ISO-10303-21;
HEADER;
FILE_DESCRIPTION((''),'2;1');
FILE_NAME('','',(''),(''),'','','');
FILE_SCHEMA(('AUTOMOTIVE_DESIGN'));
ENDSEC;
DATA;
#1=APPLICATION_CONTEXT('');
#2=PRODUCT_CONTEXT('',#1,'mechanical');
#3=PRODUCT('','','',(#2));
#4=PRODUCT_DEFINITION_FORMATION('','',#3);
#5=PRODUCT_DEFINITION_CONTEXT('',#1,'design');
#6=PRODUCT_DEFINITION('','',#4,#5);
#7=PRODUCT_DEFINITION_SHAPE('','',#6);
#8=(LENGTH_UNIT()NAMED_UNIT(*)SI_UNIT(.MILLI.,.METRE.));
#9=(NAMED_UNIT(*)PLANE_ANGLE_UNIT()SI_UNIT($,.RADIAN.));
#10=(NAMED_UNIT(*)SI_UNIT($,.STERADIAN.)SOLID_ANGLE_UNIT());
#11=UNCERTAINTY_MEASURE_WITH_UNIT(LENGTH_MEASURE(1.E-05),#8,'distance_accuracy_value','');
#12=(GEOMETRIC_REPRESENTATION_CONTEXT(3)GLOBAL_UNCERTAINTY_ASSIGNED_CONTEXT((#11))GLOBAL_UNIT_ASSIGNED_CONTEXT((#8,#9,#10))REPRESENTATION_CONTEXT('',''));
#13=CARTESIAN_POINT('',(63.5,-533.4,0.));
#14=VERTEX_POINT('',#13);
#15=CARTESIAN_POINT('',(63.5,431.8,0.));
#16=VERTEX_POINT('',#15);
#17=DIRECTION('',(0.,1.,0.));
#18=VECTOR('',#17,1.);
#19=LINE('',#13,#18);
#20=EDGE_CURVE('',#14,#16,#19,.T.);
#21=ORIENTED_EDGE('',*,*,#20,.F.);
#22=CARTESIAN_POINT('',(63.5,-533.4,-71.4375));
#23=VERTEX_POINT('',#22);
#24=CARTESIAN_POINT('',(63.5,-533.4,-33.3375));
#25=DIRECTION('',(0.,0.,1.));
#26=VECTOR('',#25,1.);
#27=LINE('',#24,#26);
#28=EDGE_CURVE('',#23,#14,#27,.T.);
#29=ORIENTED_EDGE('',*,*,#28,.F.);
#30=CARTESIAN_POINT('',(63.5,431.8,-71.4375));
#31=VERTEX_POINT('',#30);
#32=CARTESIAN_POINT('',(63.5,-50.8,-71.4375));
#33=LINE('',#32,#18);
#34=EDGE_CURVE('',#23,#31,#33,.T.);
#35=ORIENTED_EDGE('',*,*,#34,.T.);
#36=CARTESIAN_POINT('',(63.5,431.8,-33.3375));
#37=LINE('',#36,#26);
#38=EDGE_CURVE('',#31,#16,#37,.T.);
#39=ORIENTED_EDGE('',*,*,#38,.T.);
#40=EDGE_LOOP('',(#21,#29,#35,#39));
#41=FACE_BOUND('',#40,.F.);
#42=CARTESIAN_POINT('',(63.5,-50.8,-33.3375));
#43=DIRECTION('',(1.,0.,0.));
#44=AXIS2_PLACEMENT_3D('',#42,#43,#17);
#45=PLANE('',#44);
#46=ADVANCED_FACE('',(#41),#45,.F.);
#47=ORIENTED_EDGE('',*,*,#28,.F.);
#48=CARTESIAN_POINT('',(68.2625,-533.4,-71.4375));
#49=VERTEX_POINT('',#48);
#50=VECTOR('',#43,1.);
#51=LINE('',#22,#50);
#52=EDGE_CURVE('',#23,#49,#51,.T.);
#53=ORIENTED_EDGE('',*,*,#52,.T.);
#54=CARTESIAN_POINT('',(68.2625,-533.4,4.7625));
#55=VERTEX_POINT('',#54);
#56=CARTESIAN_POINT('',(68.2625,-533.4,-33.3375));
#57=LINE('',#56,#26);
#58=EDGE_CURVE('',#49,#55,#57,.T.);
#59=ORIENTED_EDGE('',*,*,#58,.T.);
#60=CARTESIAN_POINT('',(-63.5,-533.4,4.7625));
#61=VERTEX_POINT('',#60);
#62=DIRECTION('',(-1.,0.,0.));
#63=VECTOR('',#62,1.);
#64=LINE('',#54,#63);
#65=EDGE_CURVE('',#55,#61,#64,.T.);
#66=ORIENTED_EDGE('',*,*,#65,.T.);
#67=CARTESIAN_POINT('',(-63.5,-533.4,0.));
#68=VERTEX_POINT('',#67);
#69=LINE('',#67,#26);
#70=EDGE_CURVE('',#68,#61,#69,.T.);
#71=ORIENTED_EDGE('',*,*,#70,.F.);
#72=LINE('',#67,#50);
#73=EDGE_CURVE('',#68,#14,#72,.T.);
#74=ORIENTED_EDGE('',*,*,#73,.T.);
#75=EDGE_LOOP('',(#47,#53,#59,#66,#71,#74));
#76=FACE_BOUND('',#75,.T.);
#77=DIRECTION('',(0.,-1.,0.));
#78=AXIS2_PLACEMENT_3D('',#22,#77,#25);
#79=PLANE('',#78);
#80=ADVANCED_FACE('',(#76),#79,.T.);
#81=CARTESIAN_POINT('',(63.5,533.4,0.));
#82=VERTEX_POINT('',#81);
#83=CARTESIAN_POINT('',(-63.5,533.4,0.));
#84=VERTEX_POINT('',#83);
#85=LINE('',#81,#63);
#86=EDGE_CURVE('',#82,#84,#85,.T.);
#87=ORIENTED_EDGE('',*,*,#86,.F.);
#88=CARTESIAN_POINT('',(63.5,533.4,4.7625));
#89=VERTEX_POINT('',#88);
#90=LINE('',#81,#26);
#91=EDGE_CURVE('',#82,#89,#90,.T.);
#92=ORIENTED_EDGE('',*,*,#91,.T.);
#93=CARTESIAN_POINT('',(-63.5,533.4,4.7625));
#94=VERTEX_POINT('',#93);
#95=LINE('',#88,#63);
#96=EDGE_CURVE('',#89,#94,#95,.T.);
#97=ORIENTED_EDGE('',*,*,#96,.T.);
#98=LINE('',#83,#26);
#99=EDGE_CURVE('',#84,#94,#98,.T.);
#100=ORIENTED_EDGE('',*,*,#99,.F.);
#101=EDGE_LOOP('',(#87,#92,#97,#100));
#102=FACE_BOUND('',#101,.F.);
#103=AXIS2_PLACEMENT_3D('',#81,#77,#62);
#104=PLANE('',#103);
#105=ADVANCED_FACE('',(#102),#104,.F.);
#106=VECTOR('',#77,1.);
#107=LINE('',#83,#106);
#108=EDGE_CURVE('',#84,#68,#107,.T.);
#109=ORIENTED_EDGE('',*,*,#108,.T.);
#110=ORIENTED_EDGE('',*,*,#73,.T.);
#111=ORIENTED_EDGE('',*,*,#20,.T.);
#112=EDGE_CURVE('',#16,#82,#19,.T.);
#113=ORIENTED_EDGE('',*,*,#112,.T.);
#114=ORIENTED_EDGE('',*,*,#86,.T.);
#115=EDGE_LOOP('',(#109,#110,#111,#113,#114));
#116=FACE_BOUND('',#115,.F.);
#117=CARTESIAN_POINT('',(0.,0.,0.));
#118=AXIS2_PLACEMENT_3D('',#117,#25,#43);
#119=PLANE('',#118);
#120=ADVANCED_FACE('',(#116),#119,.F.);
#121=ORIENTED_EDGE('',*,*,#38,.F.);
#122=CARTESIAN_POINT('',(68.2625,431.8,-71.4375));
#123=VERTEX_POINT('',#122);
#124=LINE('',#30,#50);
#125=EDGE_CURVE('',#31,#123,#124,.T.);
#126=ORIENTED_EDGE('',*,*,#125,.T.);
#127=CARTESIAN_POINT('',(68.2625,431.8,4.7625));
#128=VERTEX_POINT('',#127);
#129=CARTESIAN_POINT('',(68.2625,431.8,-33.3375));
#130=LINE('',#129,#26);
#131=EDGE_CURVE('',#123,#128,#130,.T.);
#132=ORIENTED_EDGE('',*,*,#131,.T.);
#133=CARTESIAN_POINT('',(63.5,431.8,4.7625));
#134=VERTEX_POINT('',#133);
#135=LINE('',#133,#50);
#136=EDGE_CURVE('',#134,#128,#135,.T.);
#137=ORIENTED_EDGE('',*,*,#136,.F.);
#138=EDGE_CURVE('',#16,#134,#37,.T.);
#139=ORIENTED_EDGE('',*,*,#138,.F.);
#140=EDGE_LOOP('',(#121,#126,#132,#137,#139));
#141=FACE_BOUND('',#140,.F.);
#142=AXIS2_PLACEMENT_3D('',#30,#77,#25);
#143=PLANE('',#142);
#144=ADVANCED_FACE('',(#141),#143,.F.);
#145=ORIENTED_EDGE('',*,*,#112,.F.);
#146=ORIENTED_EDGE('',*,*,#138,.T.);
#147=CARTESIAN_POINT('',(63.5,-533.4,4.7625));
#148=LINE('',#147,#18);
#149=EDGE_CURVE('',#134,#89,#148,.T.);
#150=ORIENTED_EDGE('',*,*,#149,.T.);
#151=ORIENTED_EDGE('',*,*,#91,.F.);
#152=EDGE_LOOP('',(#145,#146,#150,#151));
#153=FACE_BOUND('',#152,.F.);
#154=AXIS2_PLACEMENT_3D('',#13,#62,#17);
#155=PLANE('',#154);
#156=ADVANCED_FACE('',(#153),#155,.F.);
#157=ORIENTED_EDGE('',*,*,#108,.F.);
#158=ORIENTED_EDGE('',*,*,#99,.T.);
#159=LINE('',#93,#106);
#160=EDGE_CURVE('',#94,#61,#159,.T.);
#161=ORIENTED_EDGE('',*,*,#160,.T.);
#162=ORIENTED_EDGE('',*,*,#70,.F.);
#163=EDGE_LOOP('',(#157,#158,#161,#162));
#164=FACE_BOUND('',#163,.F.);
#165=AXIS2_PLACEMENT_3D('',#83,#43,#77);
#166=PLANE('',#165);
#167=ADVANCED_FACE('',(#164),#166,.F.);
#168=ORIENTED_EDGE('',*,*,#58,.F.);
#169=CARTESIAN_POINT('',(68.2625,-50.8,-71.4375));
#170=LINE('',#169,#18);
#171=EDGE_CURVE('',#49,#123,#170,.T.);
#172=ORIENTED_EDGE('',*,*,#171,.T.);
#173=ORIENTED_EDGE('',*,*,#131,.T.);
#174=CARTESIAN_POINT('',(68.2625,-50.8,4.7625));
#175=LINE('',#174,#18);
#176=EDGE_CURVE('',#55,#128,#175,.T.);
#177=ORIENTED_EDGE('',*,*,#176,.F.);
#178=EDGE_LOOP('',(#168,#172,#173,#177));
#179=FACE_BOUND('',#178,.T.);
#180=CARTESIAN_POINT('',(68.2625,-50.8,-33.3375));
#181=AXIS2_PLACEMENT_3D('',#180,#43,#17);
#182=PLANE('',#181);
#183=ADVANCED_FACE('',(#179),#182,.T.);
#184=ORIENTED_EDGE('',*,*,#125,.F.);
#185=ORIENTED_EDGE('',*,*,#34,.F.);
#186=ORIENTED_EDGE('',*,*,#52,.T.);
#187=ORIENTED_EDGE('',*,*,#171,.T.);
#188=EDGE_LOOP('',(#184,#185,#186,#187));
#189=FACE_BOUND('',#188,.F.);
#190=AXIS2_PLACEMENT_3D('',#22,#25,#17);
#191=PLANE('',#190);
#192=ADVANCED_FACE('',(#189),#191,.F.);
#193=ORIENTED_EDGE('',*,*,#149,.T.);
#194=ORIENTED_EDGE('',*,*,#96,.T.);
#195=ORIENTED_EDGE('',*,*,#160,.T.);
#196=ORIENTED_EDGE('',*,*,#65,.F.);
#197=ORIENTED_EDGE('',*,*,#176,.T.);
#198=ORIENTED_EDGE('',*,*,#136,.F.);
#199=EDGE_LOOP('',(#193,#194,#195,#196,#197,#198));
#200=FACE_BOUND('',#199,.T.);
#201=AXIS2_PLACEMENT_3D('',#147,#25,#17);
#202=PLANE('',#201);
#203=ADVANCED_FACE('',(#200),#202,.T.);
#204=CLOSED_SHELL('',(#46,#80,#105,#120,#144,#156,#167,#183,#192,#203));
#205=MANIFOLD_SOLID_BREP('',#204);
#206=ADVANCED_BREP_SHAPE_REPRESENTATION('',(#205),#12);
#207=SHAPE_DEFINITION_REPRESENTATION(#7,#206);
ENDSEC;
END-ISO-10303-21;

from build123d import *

# Parameters (mm, degrees)
F1_DEPTH = 4.7625
F2_W     = 965.2
F2_H     = 76.2
F3_DEPTH = 4.7625


with BuildPart() as f1:
    # F0 (on Top) → F1 (new body)
    with BuildSketch(Plane.XY):
        Polygon((63.5, -381), (63.5, 533.4), (-63.5, 533.4), (-63.5, -533.4), (63.5, -533.4), align=None)
    extrude(amount=F1_DEPTH)

    # F2 (on face) → F3 (join)
    with BuildSketch(Plane.YZ.offset(63.5)):
        with Locations((-50.8, -33.3375)):
            Rectangle(F2_W, F2_H)
    extrude(amount=F3_DEPTH)


solid = f1.part
